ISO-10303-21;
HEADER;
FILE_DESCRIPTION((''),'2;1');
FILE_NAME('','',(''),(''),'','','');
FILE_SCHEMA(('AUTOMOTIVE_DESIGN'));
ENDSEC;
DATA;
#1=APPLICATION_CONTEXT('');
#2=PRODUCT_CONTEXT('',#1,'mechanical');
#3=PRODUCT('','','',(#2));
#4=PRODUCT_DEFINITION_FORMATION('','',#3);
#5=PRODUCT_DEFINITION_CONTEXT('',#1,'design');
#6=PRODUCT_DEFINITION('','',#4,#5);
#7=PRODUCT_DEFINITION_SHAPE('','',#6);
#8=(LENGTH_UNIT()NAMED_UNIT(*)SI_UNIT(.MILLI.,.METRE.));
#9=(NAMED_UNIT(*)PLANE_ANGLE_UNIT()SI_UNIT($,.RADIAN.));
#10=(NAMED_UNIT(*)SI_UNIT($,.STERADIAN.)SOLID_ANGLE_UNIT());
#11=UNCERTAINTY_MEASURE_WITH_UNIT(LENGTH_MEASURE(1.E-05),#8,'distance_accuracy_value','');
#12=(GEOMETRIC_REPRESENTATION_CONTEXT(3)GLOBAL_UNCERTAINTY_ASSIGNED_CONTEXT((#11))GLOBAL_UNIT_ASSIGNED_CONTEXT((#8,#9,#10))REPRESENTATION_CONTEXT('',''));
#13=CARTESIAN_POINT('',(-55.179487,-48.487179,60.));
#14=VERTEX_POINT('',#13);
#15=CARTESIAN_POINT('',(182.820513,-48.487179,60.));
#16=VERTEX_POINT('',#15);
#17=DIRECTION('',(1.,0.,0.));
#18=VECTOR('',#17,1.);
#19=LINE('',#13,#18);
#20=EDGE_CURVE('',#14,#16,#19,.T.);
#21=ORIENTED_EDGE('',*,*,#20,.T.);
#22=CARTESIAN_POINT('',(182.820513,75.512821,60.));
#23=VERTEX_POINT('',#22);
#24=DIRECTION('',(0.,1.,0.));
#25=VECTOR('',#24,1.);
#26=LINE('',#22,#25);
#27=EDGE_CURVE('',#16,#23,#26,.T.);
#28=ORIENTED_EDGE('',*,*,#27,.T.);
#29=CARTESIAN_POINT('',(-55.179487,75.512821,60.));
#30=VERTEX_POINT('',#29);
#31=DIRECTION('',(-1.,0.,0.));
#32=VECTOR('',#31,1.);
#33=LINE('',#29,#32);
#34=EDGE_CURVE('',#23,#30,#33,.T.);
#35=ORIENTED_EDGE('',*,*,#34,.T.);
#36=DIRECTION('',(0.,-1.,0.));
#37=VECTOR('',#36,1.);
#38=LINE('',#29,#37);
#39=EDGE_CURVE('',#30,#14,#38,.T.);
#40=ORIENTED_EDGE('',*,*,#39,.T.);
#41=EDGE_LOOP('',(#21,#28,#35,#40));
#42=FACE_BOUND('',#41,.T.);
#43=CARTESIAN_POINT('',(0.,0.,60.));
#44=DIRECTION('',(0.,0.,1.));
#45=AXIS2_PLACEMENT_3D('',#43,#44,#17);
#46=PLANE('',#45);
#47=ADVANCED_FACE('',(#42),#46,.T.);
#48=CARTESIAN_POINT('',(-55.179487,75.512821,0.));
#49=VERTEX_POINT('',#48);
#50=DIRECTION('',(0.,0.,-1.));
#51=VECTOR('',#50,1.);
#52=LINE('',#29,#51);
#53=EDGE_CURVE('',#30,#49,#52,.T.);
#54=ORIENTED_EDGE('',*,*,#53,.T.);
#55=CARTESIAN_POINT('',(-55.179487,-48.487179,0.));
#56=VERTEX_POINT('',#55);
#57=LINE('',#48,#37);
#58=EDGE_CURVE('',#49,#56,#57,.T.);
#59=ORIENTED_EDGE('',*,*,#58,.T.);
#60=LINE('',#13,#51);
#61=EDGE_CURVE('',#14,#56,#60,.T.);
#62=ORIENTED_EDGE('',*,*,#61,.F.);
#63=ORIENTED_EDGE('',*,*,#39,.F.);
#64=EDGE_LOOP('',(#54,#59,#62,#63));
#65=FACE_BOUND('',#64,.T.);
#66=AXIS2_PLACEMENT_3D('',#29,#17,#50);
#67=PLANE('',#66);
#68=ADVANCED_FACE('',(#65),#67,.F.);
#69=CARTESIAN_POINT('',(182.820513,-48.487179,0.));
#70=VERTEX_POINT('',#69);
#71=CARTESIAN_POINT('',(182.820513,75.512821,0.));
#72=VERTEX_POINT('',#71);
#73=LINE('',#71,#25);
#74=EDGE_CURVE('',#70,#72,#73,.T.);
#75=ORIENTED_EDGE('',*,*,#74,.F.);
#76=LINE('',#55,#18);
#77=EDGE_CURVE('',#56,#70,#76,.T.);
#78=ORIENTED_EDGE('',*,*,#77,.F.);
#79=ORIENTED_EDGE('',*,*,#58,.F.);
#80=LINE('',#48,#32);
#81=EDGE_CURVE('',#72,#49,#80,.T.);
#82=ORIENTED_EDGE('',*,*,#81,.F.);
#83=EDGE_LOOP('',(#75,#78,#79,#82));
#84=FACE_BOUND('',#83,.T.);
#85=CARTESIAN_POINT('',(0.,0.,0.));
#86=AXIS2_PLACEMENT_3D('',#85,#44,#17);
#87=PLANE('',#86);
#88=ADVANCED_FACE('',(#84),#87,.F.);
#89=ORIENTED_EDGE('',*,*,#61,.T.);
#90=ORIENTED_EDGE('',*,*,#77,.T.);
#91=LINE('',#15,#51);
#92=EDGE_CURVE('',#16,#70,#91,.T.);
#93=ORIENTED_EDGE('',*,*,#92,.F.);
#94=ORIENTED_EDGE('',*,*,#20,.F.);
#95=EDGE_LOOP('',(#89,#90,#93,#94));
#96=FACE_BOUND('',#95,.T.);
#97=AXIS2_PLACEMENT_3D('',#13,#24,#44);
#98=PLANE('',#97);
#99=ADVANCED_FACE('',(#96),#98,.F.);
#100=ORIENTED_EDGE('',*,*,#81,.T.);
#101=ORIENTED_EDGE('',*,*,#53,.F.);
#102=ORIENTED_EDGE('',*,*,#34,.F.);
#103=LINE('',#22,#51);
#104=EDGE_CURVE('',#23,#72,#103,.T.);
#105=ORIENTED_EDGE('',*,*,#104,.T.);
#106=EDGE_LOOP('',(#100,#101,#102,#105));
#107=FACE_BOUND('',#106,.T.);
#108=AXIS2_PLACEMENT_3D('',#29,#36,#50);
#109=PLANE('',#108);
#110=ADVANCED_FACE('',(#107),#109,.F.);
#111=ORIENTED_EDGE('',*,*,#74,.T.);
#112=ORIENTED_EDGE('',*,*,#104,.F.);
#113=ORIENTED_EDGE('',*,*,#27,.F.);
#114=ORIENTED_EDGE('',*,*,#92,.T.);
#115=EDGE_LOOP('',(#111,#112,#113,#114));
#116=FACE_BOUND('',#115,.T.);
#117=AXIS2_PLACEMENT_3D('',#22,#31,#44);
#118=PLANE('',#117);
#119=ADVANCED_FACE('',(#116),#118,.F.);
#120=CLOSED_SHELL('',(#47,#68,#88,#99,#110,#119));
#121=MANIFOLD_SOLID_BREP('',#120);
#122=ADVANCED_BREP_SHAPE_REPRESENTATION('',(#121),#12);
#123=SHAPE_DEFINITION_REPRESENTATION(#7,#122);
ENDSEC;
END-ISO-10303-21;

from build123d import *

# Parameters (mm, degrees)
SKETCH_1_W      = 238
SKETCH_1_H      = 124
EXTRUDE_1_DEPTH = 60


with BuildPart() as part:
    # 草图1 → 凸台-拉伸1 (new body)
    with BuildSketch(Plane.XY):
        with Locations((63.820512821, 13.512820513)):
            Rectangle(SKETCH_1_W, SKETCH_1_H)
    extrude(amount=EXTRUDE_1_DEPTH)


solid = part.part
